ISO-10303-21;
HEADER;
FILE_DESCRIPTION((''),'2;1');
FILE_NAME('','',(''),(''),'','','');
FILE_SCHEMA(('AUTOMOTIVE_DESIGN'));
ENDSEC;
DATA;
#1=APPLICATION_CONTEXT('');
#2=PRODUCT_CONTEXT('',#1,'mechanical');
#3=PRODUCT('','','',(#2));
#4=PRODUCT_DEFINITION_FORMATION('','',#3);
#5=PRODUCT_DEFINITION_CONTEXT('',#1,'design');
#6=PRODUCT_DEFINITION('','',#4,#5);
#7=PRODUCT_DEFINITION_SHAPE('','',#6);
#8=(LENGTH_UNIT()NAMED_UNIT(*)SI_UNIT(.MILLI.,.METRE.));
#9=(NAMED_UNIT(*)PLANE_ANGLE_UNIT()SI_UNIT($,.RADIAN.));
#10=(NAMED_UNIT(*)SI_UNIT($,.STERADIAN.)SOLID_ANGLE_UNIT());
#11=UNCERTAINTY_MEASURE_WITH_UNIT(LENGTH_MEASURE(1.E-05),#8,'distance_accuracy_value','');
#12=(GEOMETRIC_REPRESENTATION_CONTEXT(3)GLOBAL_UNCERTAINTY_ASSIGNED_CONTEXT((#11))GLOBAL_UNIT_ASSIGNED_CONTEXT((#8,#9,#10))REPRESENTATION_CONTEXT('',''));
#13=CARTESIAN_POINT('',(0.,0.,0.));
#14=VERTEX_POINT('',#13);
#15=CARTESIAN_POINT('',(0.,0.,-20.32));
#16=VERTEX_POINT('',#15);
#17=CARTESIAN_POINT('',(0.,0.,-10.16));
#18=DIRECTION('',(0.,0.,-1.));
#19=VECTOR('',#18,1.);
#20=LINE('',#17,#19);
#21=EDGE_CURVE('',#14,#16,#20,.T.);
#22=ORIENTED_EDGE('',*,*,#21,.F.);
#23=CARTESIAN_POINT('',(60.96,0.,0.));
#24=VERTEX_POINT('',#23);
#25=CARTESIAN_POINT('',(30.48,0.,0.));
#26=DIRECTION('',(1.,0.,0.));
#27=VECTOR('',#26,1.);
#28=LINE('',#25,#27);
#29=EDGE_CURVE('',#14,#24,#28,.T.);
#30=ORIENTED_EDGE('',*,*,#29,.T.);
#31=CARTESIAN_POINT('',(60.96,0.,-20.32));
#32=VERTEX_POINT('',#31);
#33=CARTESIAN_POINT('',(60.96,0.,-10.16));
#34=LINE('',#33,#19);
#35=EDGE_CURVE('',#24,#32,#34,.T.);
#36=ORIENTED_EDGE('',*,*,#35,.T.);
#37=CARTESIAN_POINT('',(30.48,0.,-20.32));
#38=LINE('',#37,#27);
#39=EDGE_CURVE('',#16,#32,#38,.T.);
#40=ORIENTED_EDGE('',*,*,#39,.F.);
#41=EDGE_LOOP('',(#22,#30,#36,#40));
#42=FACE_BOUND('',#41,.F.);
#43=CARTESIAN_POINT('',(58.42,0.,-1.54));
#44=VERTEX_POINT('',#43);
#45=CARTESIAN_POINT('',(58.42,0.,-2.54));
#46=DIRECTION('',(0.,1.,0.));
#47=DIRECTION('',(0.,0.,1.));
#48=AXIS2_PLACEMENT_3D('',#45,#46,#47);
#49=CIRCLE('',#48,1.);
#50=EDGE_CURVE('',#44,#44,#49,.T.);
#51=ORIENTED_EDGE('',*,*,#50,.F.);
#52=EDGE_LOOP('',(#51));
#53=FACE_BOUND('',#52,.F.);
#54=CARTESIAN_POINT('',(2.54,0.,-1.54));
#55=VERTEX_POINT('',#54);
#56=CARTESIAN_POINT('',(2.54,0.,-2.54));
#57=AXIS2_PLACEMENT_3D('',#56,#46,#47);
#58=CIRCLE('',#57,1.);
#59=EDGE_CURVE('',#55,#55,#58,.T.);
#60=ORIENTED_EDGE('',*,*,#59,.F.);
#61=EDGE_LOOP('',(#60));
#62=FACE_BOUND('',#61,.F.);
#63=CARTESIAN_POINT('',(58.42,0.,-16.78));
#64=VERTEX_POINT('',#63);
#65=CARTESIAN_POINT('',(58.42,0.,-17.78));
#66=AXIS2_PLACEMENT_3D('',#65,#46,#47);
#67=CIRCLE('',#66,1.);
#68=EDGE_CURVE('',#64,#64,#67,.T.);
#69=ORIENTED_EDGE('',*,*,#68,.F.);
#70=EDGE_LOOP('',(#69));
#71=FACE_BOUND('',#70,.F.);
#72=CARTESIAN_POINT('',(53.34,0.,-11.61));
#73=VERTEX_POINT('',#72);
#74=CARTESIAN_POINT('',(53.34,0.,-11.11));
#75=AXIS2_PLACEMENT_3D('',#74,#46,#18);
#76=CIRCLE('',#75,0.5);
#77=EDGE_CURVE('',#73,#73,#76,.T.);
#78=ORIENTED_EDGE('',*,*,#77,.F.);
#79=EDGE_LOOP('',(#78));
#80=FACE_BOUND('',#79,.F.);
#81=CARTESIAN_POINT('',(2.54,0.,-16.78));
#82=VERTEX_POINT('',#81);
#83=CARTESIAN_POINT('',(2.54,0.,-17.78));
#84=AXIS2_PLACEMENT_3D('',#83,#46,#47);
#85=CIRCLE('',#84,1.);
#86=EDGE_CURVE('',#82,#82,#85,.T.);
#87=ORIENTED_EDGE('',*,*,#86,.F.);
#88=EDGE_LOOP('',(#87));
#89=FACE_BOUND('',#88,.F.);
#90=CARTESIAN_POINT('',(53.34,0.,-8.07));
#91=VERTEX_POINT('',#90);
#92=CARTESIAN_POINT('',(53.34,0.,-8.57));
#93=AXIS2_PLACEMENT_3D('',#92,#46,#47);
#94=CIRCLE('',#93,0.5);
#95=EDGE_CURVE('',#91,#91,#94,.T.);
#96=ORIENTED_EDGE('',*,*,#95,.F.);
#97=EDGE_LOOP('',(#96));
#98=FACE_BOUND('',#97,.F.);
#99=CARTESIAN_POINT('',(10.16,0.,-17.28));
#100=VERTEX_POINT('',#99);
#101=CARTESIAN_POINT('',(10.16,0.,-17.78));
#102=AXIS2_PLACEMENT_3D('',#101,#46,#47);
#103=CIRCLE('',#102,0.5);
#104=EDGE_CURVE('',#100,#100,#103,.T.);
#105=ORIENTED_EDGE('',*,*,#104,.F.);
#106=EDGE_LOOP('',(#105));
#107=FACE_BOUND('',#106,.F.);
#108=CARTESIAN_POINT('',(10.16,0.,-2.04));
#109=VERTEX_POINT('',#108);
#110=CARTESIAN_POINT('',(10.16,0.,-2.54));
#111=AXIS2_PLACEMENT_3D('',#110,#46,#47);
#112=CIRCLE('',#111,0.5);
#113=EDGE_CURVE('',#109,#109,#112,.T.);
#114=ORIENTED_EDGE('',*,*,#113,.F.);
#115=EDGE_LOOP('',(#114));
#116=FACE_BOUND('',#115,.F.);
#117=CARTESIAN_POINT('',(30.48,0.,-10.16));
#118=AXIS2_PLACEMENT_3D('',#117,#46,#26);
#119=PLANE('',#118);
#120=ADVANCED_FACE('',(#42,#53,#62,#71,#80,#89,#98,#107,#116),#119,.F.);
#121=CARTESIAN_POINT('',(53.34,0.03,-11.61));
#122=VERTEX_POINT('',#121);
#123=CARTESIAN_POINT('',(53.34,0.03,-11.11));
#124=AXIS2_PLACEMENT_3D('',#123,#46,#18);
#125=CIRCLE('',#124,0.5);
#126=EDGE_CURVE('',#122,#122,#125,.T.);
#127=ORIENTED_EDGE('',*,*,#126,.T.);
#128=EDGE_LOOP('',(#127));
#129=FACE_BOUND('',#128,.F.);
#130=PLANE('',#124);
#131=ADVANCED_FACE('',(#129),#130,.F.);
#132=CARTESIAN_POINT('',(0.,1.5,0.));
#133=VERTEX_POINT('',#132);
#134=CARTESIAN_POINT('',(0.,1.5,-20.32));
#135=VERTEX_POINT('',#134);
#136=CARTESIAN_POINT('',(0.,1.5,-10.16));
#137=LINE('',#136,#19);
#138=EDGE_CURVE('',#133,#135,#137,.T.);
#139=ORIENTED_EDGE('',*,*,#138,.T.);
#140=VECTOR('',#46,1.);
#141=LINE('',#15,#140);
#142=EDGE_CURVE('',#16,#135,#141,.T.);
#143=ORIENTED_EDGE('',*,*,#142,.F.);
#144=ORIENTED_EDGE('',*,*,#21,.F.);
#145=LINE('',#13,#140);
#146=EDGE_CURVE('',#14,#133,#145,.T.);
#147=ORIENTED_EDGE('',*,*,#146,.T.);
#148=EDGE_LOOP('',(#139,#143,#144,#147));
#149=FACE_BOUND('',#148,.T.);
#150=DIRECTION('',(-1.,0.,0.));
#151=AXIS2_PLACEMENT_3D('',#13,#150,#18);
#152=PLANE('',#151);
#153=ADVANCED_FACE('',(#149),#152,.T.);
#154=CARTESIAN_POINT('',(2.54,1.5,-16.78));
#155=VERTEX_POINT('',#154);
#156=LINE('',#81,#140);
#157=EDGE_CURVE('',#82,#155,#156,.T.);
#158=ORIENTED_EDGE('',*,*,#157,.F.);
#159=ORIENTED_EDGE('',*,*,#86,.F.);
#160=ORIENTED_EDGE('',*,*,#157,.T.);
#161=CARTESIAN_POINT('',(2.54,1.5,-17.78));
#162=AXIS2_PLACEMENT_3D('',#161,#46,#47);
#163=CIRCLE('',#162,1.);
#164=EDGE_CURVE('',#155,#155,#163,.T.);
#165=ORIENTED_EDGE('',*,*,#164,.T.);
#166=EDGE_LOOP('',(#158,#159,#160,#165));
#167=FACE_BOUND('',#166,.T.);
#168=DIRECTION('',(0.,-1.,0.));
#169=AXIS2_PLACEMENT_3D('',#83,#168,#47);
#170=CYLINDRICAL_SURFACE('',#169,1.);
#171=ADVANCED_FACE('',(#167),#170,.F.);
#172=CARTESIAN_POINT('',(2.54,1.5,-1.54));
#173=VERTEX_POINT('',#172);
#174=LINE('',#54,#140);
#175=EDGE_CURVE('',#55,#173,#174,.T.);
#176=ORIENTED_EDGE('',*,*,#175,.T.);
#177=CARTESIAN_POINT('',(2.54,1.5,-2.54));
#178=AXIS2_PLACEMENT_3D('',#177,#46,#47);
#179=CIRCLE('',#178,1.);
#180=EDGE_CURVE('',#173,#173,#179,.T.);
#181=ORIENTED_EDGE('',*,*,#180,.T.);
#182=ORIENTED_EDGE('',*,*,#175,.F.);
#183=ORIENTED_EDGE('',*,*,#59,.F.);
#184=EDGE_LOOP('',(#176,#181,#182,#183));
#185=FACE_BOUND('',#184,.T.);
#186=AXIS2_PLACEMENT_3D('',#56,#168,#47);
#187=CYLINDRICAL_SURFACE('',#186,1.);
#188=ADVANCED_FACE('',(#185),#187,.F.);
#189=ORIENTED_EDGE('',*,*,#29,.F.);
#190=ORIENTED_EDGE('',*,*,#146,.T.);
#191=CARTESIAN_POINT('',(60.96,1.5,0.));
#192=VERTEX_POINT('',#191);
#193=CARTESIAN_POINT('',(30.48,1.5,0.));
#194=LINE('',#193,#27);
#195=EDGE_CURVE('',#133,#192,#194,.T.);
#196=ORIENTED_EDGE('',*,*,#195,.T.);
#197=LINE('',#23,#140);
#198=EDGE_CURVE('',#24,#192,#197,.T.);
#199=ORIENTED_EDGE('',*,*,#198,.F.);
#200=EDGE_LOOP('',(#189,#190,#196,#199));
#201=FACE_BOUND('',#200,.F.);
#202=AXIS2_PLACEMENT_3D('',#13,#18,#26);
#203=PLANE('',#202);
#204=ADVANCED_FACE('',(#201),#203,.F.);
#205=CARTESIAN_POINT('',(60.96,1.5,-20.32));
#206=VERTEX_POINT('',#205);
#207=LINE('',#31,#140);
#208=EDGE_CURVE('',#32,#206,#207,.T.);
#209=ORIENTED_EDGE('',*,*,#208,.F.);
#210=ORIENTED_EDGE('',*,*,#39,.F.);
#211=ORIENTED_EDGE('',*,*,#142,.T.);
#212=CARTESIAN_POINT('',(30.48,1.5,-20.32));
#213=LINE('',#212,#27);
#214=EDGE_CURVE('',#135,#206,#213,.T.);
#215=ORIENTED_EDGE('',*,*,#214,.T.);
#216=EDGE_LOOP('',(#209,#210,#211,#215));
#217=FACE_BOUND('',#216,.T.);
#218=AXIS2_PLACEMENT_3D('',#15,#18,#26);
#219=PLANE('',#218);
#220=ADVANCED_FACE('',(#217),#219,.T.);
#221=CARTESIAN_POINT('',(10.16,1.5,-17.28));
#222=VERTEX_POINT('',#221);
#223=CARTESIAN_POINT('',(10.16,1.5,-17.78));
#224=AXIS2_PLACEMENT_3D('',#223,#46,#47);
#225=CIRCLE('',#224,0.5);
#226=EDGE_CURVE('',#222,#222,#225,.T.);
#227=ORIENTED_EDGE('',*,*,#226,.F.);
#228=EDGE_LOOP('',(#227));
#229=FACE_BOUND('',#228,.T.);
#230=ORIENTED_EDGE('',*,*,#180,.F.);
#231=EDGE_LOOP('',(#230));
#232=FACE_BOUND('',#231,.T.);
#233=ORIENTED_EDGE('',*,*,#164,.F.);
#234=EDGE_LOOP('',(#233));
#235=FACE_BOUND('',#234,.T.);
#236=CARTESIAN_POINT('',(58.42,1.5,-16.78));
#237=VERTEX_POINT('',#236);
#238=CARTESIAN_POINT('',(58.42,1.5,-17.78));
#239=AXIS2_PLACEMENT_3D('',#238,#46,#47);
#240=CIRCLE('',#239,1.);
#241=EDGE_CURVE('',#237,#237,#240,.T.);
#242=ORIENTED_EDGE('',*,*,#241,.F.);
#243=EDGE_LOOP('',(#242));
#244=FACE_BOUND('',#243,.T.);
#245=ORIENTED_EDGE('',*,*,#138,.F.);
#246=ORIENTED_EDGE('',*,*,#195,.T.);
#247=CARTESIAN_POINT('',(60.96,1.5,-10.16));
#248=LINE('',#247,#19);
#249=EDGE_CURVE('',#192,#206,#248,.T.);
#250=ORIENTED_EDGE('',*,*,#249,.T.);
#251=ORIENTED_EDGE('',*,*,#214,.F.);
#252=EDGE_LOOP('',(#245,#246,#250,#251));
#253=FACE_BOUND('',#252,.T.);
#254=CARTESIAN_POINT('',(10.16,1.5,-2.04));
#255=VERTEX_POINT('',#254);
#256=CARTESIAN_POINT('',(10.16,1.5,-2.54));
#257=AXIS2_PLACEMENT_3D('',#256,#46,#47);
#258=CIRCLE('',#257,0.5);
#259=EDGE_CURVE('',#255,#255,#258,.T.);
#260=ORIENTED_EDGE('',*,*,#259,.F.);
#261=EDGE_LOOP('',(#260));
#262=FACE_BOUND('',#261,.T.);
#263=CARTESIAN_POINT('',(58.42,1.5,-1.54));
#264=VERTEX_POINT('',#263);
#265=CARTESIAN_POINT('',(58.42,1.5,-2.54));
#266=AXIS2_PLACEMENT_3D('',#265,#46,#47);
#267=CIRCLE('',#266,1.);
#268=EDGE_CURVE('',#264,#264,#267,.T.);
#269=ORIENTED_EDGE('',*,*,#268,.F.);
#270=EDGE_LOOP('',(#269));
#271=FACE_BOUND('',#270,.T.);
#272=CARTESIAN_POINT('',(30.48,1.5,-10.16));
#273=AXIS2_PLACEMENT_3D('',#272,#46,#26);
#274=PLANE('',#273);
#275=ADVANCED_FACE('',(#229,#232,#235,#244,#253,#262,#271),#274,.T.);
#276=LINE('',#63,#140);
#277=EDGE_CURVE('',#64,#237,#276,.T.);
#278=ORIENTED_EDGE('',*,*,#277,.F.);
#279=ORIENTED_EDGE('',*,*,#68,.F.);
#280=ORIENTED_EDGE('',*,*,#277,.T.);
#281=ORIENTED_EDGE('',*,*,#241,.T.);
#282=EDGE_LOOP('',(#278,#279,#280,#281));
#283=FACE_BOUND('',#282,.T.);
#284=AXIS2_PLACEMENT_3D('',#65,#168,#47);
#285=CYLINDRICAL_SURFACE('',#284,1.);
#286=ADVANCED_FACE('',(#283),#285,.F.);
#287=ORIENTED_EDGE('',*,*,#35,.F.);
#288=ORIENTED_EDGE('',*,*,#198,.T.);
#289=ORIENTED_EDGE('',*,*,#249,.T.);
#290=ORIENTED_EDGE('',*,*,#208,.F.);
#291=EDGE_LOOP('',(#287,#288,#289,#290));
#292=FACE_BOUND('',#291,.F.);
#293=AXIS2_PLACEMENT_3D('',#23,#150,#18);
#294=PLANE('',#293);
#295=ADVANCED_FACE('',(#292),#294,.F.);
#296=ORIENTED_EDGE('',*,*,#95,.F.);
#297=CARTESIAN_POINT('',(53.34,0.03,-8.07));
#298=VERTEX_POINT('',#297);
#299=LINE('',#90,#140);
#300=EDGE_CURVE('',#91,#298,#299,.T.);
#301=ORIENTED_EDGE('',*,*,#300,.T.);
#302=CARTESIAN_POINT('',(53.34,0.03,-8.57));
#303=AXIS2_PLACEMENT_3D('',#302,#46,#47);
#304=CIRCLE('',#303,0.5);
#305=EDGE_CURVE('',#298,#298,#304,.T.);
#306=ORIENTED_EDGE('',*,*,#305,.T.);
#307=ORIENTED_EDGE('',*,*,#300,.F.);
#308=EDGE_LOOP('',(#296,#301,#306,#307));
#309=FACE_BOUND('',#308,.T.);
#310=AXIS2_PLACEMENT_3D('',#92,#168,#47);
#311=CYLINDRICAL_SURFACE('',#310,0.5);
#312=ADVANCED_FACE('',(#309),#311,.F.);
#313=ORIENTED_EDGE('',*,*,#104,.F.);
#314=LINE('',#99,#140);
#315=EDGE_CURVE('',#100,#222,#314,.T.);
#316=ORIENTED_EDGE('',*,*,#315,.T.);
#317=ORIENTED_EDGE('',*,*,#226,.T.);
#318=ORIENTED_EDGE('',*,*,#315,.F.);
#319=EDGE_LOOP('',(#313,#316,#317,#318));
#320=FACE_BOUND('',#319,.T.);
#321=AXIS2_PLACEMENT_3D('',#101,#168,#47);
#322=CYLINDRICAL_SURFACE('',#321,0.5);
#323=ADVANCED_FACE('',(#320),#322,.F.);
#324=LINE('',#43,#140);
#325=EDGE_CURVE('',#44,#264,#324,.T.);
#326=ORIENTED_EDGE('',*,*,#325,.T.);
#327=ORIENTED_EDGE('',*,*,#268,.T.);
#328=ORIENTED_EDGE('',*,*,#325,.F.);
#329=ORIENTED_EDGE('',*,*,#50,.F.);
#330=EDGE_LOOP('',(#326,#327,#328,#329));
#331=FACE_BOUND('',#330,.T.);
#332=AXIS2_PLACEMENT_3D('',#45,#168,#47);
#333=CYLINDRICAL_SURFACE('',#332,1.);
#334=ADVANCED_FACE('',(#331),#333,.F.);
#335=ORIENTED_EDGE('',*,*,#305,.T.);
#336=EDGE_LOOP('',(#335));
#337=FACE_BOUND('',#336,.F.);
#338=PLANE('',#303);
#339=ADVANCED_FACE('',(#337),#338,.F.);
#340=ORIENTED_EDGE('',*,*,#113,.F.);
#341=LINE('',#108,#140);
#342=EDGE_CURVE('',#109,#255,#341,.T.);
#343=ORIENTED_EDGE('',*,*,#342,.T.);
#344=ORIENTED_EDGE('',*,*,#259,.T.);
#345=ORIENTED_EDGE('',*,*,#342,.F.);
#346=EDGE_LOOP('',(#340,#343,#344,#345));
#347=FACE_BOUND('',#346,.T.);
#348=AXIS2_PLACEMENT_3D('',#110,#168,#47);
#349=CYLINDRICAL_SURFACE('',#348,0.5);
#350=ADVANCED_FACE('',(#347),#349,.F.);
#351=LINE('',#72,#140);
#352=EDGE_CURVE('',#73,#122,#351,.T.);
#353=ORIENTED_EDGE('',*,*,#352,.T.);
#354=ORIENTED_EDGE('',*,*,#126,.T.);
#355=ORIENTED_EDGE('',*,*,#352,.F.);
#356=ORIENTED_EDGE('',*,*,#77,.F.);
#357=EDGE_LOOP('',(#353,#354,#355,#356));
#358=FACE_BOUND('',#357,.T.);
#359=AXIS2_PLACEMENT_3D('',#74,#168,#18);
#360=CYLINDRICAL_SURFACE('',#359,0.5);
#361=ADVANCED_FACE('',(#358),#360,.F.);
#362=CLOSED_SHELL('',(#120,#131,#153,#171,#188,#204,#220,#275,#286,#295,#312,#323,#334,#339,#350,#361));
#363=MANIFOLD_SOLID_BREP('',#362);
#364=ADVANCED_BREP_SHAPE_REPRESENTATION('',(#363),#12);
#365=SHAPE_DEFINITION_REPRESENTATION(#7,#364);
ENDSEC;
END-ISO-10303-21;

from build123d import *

# Parameters (mm, degrees)
SKETCH1_W           = 60.96
SKETCH1_H           = 20.32
SKETCH1_R           = 1
SKETCH1_R_2         = 0.5
BOSS_EXTRUDE1_DEPTH = 1.5
SKETCH1_3_R         = 0.5
CUT_EXTRUDE3_DEPTH  = 0.03


with BuildPart() as part:
    # Sketch1 → Boss-Extrude1 (new body)
    with BuildSketch(Plane(origin=(0, 0, 0), x_dir=(1, 0, 0), z_dir=(0, 1, 0))):
        with Locations((30.48, 10.16)):
            Rectangle(SKETCH1_W, SKETCH1_H)
        with Locations(Location((2.54, 2.54, 0), (0, 0, 270))):  # turned: the seam where the file's is
            Circle(SKETCH1_R, mode=Mode.SUBTRACT)
        with Locations(Location((58.42, 2.54, 0), (0, 0, 270))):  # turned: the seam where the file's is
            Circle(SKETCH1_R, mode=Mode.SUBTRACT)
        with Locations(Location((58.42, 17.78, 0), (0, 0, 270))):  # turned: the seam where the file's is
            Circle(SKETCH1_R, mode=Mode.SUBTRACT)
        with Locations(Location((2.54, 17.78, 0), (0, 0, 270))):  # turned: the seam where the file's is
            Circle(SKETCH1_R, mode=Mode.SUBTRACT)
        with Locations(Location((10.16, 2.54, 0), (0, 0, 270))):  # turned: the seam where the file's is
            Circle(SKETCH1_R_2, mode=Mode.SUBTRACT)
        with Locations(Location((10.16, 17.78, 0), (0, 0, 270))):  # turned: the seam where the file's is
            Circle(SKETCH1_R_2, mode=Mode.SUBTRACT)
    extrude(amount=BOSS_EXTRUDE1_DEPTH)

    # Sketch1_3 → Cut-Extrude3 (cut)
    with BuildSketch(Plane(origin=(0, 0, 0), x_dir=(1, 0, 0), z_dir=(0, 1, 0))):
        with Locations(Location((53.34, 8.57, 0), (0, 0, 270))):  # turned: the seam where the file's is
            Circle(SKETCH1_3_R)
        with Locations(Location((53.34, 11.11, 0), (0, 0, 90))):  # turned: the seam where the file's is
            Circle(SKETCH1_3_R)
    extrude(amount=CUT_EXTRUDE3_DEPTH, mode=Mode.SUBTRACT)


solid = part.part
